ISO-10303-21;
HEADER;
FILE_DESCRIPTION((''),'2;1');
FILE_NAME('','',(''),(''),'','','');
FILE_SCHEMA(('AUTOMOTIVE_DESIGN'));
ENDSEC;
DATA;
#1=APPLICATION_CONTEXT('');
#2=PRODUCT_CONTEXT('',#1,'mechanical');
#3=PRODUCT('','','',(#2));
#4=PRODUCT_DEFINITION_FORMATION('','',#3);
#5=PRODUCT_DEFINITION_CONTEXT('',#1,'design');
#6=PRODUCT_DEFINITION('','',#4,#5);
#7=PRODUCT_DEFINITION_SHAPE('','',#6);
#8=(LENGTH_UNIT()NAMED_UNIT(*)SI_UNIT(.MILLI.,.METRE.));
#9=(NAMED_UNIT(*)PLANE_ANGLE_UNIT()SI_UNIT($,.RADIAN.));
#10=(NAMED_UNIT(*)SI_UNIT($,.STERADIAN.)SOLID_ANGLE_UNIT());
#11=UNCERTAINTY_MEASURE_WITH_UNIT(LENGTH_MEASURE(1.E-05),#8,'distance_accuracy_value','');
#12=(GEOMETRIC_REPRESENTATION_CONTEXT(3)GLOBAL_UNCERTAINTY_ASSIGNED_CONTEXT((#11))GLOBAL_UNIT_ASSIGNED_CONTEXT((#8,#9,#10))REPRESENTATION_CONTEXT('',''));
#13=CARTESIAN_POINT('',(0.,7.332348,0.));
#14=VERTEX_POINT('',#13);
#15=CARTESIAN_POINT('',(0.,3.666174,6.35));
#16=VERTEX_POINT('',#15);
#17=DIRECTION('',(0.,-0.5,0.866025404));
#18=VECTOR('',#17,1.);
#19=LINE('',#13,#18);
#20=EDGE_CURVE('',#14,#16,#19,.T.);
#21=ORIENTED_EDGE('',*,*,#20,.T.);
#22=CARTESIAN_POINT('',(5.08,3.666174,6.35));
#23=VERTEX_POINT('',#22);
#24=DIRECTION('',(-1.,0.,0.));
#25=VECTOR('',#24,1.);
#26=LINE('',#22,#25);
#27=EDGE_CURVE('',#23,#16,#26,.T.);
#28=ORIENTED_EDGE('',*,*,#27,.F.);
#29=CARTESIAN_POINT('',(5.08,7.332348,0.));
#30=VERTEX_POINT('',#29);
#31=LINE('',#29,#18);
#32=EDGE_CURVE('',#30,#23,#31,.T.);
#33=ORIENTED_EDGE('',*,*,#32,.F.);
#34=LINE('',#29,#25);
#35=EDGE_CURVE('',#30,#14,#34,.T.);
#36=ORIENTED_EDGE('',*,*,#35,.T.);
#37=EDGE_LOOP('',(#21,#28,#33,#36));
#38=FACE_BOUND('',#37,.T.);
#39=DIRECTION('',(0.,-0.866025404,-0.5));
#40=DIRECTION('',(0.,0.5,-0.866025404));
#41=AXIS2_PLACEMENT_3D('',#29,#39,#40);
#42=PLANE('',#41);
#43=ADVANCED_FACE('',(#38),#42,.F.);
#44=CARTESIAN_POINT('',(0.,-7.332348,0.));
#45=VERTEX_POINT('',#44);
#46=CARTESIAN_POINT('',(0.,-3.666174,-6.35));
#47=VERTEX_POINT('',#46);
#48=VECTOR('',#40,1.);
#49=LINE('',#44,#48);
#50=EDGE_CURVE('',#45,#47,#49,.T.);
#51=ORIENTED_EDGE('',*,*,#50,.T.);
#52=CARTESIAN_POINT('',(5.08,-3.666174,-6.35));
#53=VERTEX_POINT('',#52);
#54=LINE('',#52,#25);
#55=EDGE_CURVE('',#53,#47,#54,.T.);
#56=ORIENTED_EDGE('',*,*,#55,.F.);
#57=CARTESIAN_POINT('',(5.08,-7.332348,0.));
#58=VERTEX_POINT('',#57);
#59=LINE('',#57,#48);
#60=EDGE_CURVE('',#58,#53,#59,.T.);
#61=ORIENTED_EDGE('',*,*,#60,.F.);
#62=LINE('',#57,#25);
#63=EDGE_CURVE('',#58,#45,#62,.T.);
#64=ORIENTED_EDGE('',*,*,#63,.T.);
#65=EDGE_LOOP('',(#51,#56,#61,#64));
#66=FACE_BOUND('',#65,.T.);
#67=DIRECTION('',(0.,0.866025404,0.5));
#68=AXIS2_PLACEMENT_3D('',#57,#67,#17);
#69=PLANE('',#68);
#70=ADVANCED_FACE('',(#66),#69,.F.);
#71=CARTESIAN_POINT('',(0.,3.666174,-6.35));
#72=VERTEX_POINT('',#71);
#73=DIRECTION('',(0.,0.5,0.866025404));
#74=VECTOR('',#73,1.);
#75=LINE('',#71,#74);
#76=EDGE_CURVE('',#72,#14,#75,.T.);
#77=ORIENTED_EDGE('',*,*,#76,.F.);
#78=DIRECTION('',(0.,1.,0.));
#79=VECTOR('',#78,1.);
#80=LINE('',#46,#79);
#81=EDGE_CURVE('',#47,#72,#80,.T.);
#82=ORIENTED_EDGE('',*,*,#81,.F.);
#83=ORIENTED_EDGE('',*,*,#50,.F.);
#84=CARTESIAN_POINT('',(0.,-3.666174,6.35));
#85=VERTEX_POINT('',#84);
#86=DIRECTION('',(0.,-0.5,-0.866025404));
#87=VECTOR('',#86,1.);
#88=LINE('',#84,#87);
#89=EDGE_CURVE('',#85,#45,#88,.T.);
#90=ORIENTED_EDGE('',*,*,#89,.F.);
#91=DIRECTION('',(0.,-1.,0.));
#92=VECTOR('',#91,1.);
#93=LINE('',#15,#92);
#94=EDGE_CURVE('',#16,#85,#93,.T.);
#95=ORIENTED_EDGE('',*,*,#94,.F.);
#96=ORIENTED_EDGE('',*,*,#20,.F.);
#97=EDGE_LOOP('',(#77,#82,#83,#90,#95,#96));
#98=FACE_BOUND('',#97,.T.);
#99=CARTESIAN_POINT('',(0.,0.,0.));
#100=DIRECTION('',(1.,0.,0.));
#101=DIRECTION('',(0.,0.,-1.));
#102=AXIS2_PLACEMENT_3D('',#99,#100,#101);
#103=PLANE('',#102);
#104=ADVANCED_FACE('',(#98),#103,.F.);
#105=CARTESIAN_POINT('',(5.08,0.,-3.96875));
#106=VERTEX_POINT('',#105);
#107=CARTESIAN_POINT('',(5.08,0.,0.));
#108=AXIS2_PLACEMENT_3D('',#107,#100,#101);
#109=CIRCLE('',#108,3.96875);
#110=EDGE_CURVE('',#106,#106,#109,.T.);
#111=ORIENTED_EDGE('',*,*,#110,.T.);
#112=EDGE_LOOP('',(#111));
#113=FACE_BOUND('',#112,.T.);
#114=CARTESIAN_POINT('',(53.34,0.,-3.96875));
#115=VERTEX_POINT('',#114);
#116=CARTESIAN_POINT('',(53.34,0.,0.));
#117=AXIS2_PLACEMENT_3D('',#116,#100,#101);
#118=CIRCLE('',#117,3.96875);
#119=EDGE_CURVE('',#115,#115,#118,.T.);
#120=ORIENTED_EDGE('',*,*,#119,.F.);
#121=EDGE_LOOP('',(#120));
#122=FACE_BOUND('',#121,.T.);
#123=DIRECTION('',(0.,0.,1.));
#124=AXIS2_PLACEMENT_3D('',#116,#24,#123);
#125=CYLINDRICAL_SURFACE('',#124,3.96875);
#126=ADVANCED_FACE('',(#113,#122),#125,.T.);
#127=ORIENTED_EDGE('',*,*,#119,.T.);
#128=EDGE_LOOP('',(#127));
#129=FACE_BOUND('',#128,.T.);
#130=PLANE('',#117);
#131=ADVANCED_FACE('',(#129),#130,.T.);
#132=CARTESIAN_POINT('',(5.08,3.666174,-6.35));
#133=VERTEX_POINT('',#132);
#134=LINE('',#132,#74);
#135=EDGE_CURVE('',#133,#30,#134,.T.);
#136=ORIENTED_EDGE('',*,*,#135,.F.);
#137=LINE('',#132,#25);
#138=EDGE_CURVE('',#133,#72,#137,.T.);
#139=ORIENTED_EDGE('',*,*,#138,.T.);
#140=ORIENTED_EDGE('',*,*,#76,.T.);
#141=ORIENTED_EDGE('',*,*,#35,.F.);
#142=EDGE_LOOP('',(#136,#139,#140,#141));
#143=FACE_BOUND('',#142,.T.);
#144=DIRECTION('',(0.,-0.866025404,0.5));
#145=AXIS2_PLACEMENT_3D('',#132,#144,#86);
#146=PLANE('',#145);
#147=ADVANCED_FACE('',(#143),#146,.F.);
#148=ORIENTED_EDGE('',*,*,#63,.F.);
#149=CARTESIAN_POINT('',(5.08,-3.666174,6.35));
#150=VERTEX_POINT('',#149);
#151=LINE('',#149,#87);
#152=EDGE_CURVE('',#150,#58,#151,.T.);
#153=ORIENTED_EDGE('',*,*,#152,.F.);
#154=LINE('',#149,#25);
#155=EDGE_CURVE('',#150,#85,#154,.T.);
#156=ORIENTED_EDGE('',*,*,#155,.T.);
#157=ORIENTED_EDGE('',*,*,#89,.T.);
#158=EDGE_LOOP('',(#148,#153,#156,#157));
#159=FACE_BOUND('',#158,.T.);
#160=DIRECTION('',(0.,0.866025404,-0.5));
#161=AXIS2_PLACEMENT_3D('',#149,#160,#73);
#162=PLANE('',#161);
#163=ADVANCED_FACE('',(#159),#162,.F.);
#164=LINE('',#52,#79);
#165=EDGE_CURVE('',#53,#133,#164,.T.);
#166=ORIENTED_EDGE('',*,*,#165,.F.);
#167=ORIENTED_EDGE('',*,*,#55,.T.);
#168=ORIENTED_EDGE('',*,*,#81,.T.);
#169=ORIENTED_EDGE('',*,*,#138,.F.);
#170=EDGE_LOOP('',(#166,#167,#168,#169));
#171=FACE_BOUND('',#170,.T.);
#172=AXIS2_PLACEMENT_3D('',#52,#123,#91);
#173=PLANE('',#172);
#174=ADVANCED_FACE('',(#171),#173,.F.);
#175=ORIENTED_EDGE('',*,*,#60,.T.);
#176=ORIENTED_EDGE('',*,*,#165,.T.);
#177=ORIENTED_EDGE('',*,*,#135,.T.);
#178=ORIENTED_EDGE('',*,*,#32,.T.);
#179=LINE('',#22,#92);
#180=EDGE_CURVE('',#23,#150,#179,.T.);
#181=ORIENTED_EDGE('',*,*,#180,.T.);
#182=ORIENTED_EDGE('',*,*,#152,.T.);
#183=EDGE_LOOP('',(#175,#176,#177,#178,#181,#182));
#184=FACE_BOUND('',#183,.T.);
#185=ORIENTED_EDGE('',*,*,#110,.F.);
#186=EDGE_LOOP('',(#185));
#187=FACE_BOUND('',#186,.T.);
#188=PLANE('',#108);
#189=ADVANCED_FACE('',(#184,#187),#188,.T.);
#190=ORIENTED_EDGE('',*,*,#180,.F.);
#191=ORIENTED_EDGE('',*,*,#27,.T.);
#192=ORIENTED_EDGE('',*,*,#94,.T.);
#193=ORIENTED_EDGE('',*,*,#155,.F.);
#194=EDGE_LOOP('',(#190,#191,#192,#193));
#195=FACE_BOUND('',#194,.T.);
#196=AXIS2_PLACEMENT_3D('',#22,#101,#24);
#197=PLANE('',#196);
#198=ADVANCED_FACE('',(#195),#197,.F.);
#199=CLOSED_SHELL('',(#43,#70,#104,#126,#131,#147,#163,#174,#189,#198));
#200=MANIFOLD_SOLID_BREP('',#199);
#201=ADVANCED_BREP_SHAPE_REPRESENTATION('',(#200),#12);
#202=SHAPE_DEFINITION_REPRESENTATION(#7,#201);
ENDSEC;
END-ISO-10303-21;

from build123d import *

# Parameters (mm, degrees)
BOSS_EXTRUDE1_DEPTH = 5.08
SKETCH2_R           = 3.96875
BOSS_EXTRUDE2_DEPTH = 48.26


with BuildPart() as part:
    # Sketch1 → Boss-Extrude1 (new body)
    with BuildSketch(Plane(origin=(0, 0, 0), x_dir=(0, 0, -1), z_dir=(1, 0, 0))):
        Polygon((6.35, 3.666174209), (0, 7.332348419), (-6.35, 3.666174209), (-6.35, -3.666174209), (0, -7.332348419), (6.35, -3.666174209), align=None)
    extrude(amount=BOSS_EXTRUDE1_DEPTH)

    # Sketch2 → Boss-Extrude2 (add)
    with BuildSketch(Plane(origin=(5.08, 0, 0), x_dir=(0, 0, -1), z_dir=(1, 0, 0))):
        Circle(SKETCH2_R)
    extrude(amount=BOSS_EXTRUDE2_DEPTH)


solid = part.part
